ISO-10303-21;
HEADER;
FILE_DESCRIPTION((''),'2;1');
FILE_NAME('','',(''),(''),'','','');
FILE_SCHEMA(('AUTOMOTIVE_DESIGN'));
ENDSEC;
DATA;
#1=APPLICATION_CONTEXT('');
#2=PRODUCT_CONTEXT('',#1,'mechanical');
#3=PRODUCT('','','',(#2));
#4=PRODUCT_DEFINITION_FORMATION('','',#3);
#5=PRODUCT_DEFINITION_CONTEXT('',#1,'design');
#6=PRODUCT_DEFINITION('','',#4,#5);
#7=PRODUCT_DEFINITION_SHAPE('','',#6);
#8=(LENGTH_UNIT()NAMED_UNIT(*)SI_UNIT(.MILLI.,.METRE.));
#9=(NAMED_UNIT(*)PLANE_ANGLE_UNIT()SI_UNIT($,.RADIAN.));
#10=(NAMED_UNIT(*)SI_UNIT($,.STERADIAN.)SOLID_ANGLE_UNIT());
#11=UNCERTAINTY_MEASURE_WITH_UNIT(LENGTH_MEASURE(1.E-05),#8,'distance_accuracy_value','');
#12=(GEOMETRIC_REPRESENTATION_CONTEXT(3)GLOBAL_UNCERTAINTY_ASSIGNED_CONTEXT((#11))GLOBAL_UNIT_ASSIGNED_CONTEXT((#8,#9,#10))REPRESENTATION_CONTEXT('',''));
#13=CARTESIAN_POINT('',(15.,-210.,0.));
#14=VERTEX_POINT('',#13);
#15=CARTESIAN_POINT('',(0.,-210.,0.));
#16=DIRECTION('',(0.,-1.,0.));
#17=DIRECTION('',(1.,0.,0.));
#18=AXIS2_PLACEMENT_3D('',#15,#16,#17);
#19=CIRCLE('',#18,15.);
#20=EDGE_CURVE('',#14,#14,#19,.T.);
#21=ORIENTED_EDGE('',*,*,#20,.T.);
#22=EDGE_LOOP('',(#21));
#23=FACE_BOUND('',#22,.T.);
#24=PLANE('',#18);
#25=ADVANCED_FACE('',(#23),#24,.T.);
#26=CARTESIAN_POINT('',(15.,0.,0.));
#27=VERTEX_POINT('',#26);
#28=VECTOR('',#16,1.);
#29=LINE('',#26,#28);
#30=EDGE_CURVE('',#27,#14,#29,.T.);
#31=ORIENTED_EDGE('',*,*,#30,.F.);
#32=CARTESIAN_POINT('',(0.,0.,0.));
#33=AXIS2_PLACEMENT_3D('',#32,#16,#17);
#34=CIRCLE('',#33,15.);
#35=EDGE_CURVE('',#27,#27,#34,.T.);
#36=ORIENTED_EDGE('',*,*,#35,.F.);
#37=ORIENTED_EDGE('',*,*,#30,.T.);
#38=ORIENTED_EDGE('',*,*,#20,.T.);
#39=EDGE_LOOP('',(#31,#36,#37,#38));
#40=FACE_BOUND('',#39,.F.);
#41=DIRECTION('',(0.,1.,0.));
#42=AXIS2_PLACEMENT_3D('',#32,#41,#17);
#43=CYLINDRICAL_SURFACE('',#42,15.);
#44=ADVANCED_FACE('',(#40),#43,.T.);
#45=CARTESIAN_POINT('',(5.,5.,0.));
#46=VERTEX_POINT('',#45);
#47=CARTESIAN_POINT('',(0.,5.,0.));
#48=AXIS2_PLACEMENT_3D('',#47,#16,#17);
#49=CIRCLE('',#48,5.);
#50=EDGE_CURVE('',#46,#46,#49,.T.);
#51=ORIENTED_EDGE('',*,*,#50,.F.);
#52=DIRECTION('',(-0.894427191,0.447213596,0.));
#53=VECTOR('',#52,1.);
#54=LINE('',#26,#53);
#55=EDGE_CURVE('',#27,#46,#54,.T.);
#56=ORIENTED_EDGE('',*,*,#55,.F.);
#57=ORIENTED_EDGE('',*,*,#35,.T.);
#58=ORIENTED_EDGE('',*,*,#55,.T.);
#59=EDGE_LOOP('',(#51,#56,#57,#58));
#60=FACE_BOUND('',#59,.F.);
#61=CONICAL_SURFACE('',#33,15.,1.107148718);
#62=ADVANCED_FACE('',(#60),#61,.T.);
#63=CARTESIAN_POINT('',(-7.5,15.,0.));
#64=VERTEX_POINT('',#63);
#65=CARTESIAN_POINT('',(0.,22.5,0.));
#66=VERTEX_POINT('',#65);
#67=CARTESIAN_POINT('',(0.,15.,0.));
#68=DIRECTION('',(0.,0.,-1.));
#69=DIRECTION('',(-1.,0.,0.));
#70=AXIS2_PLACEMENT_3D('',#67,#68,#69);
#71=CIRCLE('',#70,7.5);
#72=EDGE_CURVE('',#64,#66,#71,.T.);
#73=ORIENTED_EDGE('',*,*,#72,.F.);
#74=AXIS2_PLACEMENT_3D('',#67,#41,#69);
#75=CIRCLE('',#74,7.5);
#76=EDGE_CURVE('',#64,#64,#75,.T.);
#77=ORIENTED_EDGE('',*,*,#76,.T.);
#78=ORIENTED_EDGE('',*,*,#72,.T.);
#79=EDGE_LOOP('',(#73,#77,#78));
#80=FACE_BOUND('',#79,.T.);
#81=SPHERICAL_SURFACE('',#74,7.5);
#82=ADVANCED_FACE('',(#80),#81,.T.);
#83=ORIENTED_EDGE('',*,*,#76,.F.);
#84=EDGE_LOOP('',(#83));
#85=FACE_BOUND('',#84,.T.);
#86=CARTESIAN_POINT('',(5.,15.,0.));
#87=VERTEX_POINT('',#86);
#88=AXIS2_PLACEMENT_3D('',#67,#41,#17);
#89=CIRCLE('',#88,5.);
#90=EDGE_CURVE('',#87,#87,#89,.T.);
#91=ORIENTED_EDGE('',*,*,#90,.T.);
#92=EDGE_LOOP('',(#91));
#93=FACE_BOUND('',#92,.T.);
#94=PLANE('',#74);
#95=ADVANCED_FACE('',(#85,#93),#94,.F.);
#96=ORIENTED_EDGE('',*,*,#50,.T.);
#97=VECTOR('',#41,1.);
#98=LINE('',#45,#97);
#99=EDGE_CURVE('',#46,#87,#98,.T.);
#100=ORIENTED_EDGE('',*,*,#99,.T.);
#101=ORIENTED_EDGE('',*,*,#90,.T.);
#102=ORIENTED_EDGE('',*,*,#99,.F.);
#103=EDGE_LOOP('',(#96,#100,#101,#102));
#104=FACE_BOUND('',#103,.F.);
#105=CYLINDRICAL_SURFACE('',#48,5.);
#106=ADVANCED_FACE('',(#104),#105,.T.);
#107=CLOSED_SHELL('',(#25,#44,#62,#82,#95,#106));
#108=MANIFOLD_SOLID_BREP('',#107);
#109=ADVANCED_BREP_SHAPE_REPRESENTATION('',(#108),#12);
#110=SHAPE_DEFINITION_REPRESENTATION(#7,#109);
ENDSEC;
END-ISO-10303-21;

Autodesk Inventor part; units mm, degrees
ref_plane "YZ Plane" through (0, 0, 0) normal (1, 0, 0) x (0, 1, 0)
ref_plane "XZ Plane" through (0, 0, 0) normal (0, 1, 0) x (-1, 0, 0)
ref_plane "XY Plane" through (0, 0, 0) normal (0, 0, 1) x (1, 0, 0)
sketch "Sketch4" plane through (0, 0, 0) normal (0, 0, 1) x (1, 0, 0)
  line L0 (0, 0) -> (15, 0)
  line L1 (15, 0) -> (0, 7.5)
  line L2 (0, 7.5) -> (0, 0)
  line L3 (0, 5) -> (5, 5)
  dimension "d4" = 15
  dimension "d5" = 7.5
  dimension "d6" = 2.5
revolve "Revolution1" add sketch "Sketch4" angle 360 about axis through (0, 7.5, 0) along (0, -1, 0) contours L2 L3 L1 L0
sketch "Sketch5" plane through (0, 0, 0) normal (0, -1, 0) x (1, 0, 0)
  circle A0 centre (0, 0) radius 15
  point P0 (0, 0)
  dimension "d17" = 30
extrude "Extrusion2" add sketch "Sketch5" along normal blind 210
sketch "Sketch7" plane through (0, 5, 0) normal (0, 1, 0) x (1, 0, 0)
  circle A0 centre (0, 0) radius 5
  point P0 (0, 0)
  dimension "d18" = 10
extrude "Extrusion4" add sketch "Sketch7" along normal blind 10
sketch "Sketch8" plane through (0, 15, 0) normal (0, 1, 0) x (1, 0, 0)
  circle A0 centre (0, 0) radius 7.5
  line L0 (0, -7.5) -> (0, 7.5)
  point P0 (0, 0)
  dimension "d19" = 15
ref_plane "Work Plane1" through (0, 15, 0) normal (0, 0, -1) x (-1, 0, 0)
sketch "Sketch9" plane through (0, 15, 0) normal (0, 0, -1) x (-1, 0, 0)
  line L0 (0, 0) -> (7.5, 0)
  line L1 (0, 0) -> (0, 7.5)
  circle A0 centre (0, 0) radius 7.5
  line L2 (0, 0) -> (-7.5, 0)
  point P0 (0, -15)
  dimension "d20" = 7.5
  dimension "d21" = 7.5
revolve "Revolution2" add sketch "Sketch9" angle 360 about axis through (0, 15, 0) along (0, 1, 0) contours L1 A0 L0
properties part number "Shafts"
